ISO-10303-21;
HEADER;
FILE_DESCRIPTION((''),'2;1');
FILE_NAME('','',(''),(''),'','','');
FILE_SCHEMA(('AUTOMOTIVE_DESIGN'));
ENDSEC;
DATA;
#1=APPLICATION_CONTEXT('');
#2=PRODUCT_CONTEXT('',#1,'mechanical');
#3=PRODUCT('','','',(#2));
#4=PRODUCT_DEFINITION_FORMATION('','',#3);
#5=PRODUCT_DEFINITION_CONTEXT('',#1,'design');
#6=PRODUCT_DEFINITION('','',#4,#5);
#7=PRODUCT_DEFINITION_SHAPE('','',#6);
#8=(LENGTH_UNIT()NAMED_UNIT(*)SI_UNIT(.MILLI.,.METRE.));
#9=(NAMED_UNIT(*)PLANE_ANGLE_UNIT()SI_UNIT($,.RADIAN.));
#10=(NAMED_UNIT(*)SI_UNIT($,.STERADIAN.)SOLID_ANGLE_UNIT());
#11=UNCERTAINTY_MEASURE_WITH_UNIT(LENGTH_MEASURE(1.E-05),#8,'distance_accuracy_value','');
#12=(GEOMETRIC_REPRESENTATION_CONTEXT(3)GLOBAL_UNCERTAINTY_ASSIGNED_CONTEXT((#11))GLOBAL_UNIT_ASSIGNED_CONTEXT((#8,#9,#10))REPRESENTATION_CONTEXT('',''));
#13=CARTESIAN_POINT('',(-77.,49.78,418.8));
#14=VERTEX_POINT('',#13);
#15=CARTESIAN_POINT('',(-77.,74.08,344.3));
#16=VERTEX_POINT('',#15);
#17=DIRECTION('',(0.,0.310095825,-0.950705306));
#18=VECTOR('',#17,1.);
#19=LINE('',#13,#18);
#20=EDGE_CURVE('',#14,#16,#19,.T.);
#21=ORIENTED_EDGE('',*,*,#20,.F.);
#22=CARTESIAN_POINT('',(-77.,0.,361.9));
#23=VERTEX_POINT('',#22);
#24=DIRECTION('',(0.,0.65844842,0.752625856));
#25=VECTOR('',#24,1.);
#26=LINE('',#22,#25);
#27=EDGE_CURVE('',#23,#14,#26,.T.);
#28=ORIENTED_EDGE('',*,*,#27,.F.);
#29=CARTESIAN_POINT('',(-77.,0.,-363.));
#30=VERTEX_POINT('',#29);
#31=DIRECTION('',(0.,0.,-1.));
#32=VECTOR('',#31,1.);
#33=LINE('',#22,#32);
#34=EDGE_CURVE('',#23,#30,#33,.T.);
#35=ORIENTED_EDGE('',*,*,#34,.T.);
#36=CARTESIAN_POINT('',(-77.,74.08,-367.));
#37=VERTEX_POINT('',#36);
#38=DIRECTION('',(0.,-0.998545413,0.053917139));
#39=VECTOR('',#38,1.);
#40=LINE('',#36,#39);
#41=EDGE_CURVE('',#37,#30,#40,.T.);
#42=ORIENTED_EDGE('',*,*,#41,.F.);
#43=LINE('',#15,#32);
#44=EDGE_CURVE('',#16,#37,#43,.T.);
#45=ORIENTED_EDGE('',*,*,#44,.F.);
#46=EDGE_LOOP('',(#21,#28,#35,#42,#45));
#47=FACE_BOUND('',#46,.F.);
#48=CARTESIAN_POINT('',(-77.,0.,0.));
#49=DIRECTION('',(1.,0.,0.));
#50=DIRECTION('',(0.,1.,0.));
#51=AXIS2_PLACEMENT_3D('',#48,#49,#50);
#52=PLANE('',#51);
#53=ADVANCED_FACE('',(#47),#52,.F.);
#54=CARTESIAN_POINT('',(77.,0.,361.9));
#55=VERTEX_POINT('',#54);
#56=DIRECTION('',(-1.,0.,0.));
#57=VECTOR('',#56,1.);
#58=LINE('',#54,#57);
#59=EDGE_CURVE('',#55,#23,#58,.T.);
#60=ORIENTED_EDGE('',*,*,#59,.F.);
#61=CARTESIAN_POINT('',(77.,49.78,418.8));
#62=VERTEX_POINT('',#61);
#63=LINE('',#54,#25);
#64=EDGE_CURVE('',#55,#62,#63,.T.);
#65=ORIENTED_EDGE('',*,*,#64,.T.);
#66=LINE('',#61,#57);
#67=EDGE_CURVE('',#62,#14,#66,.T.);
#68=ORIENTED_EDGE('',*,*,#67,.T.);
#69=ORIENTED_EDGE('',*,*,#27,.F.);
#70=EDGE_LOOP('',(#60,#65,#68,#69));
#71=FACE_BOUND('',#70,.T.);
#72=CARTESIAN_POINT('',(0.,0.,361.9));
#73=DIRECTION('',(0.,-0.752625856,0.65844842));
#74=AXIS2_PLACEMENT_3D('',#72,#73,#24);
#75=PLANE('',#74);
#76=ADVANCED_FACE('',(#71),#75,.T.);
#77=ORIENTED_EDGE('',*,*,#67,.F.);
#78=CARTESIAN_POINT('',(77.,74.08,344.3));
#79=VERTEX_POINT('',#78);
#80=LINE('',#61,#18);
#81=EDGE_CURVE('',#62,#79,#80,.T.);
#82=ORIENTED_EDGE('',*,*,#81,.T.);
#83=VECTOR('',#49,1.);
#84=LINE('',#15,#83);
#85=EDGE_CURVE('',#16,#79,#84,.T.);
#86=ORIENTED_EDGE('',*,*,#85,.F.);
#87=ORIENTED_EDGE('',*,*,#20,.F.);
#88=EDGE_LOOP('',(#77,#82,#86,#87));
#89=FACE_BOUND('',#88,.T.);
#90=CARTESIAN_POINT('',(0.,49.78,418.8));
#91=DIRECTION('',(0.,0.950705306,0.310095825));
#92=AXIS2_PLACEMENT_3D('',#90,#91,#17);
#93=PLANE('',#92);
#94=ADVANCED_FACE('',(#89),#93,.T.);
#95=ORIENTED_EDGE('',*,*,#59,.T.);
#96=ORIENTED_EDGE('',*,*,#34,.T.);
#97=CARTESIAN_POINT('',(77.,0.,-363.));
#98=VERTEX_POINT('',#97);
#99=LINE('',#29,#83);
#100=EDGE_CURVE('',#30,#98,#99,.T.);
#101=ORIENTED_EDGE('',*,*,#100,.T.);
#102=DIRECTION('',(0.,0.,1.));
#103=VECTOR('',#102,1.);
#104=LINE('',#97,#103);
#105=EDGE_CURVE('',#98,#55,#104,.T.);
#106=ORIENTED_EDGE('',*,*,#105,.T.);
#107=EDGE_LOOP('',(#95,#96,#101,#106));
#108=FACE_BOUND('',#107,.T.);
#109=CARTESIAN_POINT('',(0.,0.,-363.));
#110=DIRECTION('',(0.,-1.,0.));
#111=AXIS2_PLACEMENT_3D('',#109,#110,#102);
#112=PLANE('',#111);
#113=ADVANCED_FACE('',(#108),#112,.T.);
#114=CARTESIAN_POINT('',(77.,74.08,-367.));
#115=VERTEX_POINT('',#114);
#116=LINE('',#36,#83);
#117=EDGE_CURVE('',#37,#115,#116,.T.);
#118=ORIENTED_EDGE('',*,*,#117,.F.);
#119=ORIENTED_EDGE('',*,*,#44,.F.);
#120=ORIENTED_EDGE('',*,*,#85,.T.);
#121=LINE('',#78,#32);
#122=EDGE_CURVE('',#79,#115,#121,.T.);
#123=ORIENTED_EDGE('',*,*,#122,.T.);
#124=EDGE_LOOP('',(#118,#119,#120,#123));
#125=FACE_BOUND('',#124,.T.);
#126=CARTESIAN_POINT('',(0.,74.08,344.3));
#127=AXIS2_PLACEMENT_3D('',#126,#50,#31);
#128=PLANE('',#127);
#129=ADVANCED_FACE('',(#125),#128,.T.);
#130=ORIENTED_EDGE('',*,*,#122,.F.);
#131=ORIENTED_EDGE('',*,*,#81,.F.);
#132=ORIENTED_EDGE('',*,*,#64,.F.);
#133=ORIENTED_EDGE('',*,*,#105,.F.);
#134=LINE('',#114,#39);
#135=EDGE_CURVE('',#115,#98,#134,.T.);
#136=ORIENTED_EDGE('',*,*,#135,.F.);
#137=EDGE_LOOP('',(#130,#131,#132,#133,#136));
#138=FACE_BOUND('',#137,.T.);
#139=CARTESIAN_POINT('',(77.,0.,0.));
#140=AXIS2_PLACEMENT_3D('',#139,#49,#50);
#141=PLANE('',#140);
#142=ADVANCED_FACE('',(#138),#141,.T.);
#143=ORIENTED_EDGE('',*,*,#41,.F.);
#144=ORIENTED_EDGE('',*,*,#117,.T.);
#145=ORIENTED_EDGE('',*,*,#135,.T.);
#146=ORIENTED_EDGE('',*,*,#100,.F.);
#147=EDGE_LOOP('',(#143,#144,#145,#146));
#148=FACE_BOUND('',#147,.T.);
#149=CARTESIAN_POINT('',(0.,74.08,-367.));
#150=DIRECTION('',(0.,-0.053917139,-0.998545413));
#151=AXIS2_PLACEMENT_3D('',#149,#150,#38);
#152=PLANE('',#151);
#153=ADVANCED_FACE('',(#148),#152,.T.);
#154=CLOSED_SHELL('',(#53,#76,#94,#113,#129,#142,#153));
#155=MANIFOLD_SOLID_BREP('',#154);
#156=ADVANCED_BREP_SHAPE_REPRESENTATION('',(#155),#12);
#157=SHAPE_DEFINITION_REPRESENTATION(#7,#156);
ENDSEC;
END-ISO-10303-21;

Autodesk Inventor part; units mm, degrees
ref_plane "YZ Plane" through (0, 0, 0) normal (1, 0, 0) x (0, 1, 0)
ref_plane "XZ Plane" through (0, 0, 0) normal (0, 1, 0) x (-1, 0, 0)
sketch "Sketch2" plane through (0, 0, 0) normal (1, 0, 0) x (0, 1, 0)
  line L0 (0, -524.16) -> (0, 575.96) projected
  line L1 (0, 361.9) -> (49.78, 418.8)
  line L2 (49.78, 418.8) -> (74.08, 344.3)
  line L3 (74.08, 344.3) -> (74.08, -367)
  line L4 (74.08, -367) -> (0, -363)
  line L5 (0, -363) -> (0, 0)
  line L6 (0, 361.9) -> (0, 0)
  dimension "d0" = 361.9
  dimension "d1" = 56.9
  dimension "d2" = 49.78
  dimension "d3" = 24.3
  dimension "d4" = 74.5
  dimension "d5" = 363
  dimension "d6" = 4
  dimension "d7" = 74.08
extrude "Extrusion1" add sketch "Sketch2" along normal mid plane 154
properties part number "Enemy_hull_collision"
